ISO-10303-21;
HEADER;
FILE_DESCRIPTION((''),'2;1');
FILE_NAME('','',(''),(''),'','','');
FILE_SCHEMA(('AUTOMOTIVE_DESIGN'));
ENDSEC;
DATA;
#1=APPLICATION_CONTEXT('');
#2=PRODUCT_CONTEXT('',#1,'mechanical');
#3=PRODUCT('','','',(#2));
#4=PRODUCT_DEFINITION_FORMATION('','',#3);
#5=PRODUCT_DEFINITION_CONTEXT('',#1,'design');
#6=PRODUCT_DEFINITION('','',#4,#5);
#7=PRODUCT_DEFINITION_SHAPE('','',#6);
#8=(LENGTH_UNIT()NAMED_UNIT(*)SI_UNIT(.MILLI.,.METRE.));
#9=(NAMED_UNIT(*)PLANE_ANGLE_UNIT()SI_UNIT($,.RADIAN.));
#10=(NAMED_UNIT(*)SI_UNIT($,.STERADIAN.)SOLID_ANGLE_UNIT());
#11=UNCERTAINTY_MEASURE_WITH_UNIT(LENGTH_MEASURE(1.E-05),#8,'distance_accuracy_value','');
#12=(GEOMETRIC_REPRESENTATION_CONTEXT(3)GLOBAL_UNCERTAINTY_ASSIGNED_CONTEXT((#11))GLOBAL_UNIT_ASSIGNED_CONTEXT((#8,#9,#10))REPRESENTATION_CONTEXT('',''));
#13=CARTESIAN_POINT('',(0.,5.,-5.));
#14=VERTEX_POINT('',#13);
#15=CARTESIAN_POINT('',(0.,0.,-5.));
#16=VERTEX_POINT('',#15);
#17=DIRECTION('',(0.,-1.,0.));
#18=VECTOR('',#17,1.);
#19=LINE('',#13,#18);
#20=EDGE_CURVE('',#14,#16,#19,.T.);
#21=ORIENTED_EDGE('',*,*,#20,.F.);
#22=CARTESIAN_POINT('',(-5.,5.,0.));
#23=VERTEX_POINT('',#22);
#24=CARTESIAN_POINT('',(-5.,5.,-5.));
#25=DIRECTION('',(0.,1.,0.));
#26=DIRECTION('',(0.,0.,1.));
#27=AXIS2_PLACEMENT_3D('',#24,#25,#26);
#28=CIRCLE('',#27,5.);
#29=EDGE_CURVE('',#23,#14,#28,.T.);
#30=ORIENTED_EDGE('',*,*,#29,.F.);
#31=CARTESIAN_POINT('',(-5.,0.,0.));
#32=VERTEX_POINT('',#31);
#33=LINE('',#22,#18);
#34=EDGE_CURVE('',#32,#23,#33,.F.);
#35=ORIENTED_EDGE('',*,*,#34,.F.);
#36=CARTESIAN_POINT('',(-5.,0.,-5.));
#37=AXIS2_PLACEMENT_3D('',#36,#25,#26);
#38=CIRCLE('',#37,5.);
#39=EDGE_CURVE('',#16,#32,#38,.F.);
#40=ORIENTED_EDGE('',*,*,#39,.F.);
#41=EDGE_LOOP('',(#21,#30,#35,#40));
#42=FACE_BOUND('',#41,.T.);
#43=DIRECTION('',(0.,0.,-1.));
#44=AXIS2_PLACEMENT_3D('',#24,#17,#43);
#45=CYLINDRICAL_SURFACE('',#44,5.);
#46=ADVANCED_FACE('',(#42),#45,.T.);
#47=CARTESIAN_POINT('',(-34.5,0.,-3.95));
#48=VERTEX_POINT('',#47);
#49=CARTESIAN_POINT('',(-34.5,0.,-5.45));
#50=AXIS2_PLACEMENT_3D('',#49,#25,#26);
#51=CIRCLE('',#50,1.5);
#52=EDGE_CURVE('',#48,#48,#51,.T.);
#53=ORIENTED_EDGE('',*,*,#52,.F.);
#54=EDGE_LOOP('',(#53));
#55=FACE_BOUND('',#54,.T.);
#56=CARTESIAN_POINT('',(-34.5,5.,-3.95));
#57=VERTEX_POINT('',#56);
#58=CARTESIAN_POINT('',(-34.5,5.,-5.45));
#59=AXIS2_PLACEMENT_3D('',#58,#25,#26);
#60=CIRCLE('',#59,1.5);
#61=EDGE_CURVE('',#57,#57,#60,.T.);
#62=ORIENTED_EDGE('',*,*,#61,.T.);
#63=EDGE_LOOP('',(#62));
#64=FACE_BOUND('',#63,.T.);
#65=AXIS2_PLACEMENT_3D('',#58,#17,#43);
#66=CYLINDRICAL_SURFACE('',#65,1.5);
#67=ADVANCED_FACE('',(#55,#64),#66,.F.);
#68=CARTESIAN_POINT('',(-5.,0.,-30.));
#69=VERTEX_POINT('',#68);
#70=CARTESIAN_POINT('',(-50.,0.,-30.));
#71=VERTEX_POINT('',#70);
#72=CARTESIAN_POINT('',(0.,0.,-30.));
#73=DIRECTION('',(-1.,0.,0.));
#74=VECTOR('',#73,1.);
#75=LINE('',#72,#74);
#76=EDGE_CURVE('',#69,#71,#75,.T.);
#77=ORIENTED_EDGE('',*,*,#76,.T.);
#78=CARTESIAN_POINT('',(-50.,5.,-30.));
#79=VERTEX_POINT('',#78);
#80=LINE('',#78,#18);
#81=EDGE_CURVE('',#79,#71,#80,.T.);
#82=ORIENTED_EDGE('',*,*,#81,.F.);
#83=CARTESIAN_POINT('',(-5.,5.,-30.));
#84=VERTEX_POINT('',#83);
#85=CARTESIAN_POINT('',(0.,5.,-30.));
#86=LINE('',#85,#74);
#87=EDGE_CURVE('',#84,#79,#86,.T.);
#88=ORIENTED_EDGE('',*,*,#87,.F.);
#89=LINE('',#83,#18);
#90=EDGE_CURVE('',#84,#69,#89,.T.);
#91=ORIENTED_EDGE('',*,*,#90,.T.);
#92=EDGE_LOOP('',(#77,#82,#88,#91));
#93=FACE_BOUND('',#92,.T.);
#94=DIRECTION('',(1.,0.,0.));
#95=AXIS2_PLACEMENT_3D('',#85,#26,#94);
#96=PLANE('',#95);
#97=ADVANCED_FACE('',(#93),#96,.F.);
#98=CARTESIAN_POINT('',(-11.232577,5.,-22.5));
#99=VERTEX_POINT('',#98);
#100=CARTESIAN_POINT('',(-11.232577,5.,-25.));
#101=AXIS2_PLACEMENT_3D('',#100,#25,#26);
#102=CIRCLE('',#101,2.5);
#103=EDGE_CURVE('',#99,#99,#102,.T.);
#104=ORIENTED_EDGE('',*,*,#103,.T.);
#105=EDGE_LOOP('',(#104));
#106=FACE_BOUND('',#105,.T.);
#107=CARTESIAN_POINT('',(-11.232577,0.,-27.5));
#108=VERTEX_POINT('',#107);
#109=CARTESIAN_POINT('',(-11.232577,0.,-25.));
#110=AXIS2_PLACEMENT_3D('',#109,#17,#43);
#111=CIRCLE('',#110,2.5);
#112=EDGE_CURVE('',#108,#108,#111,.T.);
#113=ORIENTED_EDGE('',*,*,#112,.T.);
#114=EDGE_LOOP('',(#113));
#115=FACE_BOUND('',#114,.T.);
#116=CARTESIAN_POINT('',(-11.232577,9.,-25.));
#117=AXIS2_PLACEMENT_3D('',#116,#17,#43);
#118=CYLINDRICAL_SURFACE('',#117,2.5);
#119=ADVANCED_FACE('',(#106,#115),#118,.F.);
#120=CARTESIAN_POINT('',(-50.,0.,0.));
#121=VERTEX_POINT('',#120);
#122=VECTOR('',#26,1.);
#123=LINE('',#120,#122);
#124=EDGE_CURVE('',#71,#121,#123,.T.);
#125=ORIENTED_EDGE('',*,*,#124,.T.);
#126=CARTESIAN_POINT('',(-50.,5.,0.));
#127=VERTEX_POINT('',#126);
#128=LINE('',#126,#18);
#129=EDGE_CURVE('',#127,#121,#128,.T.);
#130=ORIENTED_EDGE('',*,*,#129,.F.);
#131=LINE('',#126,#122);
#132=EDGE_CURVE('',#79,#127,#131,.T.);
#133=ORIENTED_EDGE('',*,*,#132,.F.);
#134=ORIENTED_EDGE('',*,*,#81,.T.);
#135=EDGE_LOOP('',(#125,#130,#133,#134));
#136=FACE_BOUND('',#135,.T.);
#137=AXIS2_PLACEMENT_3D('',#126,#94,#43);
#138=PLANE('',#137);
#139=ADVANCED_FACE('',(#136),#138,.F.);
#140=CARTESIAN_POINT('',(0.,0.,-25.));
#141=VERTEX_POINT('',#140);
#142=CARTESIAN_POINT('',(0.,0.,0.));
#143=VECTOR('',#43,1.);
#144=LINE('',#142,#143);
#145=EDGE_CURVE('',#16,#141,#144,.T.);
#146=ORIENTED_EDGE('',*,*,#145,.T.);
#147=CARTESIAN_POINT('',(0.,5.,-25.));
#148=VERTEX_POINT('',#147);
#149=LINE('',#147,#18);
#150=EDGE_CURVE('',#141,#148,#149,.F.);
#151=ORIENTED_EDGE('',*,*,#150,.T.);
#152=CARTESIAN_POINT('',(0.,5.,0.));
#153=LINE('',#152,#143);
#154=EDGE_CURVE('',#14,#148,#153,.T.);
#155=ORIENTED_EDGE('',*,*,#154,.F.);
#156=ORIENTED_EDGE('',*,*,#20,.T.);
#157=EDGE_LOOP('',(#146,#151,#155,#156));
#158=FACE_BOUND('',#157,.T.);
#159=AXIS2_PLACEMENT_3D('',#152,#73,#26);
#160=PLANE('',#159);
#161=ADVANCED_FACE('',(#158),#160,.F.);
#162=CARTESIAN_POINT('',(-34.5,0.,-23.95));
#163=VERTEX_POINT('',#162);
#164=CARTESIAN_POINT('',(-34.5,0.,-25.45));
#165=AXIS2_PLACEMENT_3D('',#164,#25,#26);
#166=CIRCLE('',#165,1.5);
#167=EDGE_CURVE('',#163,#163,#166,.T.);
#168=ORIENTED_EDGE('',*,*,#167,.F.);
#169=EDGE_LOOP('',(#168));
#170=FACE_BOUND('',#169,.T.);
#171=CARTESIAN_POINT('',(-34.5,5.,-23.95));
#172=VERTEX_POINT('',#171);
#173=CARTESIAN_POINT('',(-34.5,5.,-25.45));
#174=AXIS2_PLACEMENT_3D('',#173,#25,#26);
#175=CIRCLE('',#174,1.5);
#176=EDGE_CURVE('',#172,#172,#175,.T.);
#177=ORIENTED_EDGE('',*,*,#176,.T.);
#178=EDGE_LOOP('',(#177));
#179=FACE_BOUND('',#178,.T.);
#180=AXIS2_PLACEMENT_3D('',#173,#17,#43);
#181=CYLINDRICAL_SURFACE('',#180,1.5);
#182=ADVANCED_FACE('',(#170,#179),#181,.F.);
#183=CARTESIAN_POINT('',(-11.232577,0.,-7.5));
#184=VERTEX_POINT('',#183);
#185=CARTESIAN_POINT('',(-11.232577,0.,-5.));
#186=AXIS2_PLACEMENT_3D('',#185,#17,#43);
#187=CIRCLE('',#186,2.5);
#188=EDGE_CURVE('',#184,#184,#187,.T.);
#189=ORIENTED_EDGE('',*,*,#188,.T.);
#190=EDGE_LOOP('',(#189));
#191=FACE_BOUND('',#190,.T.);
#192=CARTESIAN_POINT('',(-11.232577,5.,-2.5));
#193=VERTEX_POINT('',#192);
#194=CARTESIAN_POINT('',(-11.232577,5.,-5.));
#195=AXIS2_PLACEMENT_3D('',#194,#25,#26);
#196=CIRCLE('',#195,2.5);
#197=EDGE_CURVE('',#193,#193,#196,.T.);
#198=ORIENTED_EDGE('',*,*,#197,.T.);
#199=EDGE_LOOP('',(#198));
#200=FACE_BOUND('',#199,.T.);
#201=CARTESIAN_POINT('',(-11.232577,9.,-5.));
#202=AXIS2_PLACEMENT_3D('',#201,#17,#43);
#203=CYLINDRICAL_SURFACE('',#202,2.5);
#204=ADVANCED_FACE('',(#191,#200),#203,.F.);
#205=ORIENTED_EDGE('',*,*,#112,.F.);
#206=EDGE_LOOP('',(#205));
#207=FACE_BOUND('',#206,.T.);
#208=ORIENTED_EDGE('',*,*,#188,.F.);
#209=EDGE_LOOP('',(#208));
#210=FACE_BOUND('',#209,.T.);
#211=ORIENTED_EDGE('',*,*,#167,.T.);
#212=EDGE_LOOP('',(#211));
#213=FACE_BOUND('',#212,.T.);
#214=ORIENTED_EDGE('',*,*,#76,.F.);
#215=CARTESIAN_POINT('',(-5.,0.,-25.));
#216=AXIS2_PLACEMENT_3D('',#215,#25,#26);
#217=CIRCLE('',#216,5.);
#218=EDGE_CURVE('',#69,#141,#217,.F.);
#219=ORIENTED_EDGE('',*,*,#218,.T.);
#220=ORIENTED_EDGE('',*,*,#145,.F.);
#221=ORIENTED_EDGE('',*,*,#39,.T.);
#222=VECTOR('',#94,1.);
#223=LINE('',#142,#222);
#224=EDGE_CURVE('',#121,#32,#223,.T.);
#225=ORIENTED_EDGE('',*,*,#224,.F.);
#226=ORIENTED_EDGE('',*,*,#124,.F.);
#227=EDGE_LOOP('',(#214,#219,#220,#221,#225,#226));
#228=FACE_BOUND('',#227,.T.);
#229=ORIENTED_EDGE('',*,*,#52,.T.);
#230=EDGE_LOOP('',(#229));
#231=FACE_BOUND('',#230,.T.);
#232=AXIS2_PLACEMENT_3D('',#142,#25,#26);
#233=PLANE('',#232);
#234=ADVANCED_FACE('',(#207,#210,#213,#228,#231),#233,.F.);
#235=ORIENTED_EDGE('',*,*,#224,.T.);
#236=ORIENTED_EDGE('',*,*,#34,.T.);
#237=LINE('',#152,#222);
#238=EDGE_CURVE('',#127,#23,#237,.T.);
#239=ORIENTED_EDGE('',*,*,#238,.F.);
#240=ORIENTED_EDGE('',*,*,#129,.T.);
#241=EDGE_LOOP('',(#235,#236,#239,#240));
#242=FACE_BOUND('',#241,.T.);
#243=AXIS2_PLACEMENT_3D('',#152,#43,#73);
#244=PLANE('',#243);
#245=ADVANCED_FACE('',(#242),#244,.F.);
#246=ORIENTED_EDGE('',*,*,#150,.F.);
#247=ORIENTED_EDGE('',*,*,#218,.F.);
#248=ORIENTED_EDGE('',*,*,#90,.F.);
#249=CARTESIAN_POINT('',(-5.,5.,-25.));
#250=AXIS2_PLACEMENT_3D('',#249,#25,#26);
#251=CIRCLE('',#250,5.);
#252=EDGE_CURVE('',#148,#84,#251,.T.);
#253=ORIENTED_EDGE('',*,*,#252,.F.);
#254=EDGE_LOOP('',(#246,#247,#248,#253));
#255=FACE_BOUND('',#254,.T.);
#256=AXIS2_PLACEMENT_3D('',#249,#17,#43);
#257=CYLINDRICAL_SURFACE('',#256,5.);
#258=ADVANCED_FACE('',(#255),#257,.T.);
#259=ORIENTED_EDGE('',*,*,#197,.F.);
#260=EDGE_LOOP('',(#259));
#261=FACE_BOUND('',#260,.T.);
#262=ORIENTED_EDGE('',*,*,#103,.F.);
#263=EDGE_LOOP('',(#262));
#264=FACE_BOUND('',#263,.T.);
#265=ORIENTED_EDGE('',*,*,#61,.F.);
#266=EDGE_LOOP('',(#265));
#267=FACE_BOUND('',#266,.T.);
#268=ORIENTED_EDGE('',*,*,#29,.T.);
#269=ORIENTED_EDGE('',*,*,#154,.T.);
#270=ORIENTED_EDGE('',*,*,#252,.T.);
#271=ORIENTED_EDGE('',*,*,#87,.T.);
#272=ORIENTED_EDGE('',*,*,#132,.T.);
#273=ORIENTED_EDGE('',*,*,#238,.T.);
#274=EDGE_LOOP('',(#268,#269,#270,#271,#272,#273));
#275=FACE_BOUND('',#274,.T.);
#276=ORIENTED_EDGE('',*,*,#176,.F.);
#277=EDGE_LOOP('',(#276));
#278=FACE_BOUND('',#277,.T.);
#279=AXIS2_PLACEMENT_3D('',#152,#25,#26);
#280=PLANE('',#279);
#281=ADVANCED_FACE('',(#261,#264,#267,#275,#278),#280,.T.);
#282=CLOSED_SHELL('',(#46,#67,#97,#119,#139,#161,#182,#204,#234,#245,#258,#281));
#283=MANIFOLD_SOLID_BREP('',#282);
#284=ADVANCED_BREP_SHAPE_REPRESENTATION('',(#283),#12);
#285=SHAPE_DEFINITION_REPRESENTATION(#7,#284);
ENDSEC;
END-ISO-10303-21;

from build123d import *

# Parameters (mm, degrees)
SKETCH1_W           = 50
SKETCH1_H           = 30
SKETCH1_R           = 1.5
BOSS_EXTRUDE1_DEPTH = 5
FILLET1_R           = 5
SKETCH2_R           = 2.5
CUT_EXTRUDE1_DEPTH  = 9


with BuildPart() as part:
    # Sketch1 → Boss-Extrude1 (new body)
    with BuildSketch(Plane(origin=(0, 0, 0), x_dir=(1, 0, 0), z_dir=(0, 1, 0))):
        with Locations((-25, 15)):
            Rectangle(SKETCH1_W, SKETCH1_H)
        with Locations(Location((-34.5, 5.45, 0), (0, 0, 270))):
            Circle(SKETCH1_R, mode=Mode.SUBTRACT)
        with Locations(Location((-34.5, 25.45, 0), (0, 0, 270))):
            Circle(SKETCH1_R, mode=Mode.SUBTRACT)
    extrude(amount=BOSS_EXTRUDE1_DEPTH)

    # Fillet1
    fillet1_edges = [part.edges().sort_by_distance(p)[0] for p in [
        (0, 2.5, 0),
        (0, 2.5, -30),
    ]]
    fillet(fillet1_edges, radius=FILLET1_R)

    # Sketch2 → Cut-Extrude1 (cut)
    with BuildSketch(Plane.XZ):
        with Locations(Location((-11.23257698, -5, 0), (0, 0, 270))):
            Circle(SKETCH2_R)
        with Locations(Location((-11.23257698, -25, 0), (0, 0, 270))):
            Circle(SKETCH2_R)
    extrude(amount=-CUT_EXTRUDE1_DEPTH, mode=Mode.SUBTRACT)


solid = part.part
